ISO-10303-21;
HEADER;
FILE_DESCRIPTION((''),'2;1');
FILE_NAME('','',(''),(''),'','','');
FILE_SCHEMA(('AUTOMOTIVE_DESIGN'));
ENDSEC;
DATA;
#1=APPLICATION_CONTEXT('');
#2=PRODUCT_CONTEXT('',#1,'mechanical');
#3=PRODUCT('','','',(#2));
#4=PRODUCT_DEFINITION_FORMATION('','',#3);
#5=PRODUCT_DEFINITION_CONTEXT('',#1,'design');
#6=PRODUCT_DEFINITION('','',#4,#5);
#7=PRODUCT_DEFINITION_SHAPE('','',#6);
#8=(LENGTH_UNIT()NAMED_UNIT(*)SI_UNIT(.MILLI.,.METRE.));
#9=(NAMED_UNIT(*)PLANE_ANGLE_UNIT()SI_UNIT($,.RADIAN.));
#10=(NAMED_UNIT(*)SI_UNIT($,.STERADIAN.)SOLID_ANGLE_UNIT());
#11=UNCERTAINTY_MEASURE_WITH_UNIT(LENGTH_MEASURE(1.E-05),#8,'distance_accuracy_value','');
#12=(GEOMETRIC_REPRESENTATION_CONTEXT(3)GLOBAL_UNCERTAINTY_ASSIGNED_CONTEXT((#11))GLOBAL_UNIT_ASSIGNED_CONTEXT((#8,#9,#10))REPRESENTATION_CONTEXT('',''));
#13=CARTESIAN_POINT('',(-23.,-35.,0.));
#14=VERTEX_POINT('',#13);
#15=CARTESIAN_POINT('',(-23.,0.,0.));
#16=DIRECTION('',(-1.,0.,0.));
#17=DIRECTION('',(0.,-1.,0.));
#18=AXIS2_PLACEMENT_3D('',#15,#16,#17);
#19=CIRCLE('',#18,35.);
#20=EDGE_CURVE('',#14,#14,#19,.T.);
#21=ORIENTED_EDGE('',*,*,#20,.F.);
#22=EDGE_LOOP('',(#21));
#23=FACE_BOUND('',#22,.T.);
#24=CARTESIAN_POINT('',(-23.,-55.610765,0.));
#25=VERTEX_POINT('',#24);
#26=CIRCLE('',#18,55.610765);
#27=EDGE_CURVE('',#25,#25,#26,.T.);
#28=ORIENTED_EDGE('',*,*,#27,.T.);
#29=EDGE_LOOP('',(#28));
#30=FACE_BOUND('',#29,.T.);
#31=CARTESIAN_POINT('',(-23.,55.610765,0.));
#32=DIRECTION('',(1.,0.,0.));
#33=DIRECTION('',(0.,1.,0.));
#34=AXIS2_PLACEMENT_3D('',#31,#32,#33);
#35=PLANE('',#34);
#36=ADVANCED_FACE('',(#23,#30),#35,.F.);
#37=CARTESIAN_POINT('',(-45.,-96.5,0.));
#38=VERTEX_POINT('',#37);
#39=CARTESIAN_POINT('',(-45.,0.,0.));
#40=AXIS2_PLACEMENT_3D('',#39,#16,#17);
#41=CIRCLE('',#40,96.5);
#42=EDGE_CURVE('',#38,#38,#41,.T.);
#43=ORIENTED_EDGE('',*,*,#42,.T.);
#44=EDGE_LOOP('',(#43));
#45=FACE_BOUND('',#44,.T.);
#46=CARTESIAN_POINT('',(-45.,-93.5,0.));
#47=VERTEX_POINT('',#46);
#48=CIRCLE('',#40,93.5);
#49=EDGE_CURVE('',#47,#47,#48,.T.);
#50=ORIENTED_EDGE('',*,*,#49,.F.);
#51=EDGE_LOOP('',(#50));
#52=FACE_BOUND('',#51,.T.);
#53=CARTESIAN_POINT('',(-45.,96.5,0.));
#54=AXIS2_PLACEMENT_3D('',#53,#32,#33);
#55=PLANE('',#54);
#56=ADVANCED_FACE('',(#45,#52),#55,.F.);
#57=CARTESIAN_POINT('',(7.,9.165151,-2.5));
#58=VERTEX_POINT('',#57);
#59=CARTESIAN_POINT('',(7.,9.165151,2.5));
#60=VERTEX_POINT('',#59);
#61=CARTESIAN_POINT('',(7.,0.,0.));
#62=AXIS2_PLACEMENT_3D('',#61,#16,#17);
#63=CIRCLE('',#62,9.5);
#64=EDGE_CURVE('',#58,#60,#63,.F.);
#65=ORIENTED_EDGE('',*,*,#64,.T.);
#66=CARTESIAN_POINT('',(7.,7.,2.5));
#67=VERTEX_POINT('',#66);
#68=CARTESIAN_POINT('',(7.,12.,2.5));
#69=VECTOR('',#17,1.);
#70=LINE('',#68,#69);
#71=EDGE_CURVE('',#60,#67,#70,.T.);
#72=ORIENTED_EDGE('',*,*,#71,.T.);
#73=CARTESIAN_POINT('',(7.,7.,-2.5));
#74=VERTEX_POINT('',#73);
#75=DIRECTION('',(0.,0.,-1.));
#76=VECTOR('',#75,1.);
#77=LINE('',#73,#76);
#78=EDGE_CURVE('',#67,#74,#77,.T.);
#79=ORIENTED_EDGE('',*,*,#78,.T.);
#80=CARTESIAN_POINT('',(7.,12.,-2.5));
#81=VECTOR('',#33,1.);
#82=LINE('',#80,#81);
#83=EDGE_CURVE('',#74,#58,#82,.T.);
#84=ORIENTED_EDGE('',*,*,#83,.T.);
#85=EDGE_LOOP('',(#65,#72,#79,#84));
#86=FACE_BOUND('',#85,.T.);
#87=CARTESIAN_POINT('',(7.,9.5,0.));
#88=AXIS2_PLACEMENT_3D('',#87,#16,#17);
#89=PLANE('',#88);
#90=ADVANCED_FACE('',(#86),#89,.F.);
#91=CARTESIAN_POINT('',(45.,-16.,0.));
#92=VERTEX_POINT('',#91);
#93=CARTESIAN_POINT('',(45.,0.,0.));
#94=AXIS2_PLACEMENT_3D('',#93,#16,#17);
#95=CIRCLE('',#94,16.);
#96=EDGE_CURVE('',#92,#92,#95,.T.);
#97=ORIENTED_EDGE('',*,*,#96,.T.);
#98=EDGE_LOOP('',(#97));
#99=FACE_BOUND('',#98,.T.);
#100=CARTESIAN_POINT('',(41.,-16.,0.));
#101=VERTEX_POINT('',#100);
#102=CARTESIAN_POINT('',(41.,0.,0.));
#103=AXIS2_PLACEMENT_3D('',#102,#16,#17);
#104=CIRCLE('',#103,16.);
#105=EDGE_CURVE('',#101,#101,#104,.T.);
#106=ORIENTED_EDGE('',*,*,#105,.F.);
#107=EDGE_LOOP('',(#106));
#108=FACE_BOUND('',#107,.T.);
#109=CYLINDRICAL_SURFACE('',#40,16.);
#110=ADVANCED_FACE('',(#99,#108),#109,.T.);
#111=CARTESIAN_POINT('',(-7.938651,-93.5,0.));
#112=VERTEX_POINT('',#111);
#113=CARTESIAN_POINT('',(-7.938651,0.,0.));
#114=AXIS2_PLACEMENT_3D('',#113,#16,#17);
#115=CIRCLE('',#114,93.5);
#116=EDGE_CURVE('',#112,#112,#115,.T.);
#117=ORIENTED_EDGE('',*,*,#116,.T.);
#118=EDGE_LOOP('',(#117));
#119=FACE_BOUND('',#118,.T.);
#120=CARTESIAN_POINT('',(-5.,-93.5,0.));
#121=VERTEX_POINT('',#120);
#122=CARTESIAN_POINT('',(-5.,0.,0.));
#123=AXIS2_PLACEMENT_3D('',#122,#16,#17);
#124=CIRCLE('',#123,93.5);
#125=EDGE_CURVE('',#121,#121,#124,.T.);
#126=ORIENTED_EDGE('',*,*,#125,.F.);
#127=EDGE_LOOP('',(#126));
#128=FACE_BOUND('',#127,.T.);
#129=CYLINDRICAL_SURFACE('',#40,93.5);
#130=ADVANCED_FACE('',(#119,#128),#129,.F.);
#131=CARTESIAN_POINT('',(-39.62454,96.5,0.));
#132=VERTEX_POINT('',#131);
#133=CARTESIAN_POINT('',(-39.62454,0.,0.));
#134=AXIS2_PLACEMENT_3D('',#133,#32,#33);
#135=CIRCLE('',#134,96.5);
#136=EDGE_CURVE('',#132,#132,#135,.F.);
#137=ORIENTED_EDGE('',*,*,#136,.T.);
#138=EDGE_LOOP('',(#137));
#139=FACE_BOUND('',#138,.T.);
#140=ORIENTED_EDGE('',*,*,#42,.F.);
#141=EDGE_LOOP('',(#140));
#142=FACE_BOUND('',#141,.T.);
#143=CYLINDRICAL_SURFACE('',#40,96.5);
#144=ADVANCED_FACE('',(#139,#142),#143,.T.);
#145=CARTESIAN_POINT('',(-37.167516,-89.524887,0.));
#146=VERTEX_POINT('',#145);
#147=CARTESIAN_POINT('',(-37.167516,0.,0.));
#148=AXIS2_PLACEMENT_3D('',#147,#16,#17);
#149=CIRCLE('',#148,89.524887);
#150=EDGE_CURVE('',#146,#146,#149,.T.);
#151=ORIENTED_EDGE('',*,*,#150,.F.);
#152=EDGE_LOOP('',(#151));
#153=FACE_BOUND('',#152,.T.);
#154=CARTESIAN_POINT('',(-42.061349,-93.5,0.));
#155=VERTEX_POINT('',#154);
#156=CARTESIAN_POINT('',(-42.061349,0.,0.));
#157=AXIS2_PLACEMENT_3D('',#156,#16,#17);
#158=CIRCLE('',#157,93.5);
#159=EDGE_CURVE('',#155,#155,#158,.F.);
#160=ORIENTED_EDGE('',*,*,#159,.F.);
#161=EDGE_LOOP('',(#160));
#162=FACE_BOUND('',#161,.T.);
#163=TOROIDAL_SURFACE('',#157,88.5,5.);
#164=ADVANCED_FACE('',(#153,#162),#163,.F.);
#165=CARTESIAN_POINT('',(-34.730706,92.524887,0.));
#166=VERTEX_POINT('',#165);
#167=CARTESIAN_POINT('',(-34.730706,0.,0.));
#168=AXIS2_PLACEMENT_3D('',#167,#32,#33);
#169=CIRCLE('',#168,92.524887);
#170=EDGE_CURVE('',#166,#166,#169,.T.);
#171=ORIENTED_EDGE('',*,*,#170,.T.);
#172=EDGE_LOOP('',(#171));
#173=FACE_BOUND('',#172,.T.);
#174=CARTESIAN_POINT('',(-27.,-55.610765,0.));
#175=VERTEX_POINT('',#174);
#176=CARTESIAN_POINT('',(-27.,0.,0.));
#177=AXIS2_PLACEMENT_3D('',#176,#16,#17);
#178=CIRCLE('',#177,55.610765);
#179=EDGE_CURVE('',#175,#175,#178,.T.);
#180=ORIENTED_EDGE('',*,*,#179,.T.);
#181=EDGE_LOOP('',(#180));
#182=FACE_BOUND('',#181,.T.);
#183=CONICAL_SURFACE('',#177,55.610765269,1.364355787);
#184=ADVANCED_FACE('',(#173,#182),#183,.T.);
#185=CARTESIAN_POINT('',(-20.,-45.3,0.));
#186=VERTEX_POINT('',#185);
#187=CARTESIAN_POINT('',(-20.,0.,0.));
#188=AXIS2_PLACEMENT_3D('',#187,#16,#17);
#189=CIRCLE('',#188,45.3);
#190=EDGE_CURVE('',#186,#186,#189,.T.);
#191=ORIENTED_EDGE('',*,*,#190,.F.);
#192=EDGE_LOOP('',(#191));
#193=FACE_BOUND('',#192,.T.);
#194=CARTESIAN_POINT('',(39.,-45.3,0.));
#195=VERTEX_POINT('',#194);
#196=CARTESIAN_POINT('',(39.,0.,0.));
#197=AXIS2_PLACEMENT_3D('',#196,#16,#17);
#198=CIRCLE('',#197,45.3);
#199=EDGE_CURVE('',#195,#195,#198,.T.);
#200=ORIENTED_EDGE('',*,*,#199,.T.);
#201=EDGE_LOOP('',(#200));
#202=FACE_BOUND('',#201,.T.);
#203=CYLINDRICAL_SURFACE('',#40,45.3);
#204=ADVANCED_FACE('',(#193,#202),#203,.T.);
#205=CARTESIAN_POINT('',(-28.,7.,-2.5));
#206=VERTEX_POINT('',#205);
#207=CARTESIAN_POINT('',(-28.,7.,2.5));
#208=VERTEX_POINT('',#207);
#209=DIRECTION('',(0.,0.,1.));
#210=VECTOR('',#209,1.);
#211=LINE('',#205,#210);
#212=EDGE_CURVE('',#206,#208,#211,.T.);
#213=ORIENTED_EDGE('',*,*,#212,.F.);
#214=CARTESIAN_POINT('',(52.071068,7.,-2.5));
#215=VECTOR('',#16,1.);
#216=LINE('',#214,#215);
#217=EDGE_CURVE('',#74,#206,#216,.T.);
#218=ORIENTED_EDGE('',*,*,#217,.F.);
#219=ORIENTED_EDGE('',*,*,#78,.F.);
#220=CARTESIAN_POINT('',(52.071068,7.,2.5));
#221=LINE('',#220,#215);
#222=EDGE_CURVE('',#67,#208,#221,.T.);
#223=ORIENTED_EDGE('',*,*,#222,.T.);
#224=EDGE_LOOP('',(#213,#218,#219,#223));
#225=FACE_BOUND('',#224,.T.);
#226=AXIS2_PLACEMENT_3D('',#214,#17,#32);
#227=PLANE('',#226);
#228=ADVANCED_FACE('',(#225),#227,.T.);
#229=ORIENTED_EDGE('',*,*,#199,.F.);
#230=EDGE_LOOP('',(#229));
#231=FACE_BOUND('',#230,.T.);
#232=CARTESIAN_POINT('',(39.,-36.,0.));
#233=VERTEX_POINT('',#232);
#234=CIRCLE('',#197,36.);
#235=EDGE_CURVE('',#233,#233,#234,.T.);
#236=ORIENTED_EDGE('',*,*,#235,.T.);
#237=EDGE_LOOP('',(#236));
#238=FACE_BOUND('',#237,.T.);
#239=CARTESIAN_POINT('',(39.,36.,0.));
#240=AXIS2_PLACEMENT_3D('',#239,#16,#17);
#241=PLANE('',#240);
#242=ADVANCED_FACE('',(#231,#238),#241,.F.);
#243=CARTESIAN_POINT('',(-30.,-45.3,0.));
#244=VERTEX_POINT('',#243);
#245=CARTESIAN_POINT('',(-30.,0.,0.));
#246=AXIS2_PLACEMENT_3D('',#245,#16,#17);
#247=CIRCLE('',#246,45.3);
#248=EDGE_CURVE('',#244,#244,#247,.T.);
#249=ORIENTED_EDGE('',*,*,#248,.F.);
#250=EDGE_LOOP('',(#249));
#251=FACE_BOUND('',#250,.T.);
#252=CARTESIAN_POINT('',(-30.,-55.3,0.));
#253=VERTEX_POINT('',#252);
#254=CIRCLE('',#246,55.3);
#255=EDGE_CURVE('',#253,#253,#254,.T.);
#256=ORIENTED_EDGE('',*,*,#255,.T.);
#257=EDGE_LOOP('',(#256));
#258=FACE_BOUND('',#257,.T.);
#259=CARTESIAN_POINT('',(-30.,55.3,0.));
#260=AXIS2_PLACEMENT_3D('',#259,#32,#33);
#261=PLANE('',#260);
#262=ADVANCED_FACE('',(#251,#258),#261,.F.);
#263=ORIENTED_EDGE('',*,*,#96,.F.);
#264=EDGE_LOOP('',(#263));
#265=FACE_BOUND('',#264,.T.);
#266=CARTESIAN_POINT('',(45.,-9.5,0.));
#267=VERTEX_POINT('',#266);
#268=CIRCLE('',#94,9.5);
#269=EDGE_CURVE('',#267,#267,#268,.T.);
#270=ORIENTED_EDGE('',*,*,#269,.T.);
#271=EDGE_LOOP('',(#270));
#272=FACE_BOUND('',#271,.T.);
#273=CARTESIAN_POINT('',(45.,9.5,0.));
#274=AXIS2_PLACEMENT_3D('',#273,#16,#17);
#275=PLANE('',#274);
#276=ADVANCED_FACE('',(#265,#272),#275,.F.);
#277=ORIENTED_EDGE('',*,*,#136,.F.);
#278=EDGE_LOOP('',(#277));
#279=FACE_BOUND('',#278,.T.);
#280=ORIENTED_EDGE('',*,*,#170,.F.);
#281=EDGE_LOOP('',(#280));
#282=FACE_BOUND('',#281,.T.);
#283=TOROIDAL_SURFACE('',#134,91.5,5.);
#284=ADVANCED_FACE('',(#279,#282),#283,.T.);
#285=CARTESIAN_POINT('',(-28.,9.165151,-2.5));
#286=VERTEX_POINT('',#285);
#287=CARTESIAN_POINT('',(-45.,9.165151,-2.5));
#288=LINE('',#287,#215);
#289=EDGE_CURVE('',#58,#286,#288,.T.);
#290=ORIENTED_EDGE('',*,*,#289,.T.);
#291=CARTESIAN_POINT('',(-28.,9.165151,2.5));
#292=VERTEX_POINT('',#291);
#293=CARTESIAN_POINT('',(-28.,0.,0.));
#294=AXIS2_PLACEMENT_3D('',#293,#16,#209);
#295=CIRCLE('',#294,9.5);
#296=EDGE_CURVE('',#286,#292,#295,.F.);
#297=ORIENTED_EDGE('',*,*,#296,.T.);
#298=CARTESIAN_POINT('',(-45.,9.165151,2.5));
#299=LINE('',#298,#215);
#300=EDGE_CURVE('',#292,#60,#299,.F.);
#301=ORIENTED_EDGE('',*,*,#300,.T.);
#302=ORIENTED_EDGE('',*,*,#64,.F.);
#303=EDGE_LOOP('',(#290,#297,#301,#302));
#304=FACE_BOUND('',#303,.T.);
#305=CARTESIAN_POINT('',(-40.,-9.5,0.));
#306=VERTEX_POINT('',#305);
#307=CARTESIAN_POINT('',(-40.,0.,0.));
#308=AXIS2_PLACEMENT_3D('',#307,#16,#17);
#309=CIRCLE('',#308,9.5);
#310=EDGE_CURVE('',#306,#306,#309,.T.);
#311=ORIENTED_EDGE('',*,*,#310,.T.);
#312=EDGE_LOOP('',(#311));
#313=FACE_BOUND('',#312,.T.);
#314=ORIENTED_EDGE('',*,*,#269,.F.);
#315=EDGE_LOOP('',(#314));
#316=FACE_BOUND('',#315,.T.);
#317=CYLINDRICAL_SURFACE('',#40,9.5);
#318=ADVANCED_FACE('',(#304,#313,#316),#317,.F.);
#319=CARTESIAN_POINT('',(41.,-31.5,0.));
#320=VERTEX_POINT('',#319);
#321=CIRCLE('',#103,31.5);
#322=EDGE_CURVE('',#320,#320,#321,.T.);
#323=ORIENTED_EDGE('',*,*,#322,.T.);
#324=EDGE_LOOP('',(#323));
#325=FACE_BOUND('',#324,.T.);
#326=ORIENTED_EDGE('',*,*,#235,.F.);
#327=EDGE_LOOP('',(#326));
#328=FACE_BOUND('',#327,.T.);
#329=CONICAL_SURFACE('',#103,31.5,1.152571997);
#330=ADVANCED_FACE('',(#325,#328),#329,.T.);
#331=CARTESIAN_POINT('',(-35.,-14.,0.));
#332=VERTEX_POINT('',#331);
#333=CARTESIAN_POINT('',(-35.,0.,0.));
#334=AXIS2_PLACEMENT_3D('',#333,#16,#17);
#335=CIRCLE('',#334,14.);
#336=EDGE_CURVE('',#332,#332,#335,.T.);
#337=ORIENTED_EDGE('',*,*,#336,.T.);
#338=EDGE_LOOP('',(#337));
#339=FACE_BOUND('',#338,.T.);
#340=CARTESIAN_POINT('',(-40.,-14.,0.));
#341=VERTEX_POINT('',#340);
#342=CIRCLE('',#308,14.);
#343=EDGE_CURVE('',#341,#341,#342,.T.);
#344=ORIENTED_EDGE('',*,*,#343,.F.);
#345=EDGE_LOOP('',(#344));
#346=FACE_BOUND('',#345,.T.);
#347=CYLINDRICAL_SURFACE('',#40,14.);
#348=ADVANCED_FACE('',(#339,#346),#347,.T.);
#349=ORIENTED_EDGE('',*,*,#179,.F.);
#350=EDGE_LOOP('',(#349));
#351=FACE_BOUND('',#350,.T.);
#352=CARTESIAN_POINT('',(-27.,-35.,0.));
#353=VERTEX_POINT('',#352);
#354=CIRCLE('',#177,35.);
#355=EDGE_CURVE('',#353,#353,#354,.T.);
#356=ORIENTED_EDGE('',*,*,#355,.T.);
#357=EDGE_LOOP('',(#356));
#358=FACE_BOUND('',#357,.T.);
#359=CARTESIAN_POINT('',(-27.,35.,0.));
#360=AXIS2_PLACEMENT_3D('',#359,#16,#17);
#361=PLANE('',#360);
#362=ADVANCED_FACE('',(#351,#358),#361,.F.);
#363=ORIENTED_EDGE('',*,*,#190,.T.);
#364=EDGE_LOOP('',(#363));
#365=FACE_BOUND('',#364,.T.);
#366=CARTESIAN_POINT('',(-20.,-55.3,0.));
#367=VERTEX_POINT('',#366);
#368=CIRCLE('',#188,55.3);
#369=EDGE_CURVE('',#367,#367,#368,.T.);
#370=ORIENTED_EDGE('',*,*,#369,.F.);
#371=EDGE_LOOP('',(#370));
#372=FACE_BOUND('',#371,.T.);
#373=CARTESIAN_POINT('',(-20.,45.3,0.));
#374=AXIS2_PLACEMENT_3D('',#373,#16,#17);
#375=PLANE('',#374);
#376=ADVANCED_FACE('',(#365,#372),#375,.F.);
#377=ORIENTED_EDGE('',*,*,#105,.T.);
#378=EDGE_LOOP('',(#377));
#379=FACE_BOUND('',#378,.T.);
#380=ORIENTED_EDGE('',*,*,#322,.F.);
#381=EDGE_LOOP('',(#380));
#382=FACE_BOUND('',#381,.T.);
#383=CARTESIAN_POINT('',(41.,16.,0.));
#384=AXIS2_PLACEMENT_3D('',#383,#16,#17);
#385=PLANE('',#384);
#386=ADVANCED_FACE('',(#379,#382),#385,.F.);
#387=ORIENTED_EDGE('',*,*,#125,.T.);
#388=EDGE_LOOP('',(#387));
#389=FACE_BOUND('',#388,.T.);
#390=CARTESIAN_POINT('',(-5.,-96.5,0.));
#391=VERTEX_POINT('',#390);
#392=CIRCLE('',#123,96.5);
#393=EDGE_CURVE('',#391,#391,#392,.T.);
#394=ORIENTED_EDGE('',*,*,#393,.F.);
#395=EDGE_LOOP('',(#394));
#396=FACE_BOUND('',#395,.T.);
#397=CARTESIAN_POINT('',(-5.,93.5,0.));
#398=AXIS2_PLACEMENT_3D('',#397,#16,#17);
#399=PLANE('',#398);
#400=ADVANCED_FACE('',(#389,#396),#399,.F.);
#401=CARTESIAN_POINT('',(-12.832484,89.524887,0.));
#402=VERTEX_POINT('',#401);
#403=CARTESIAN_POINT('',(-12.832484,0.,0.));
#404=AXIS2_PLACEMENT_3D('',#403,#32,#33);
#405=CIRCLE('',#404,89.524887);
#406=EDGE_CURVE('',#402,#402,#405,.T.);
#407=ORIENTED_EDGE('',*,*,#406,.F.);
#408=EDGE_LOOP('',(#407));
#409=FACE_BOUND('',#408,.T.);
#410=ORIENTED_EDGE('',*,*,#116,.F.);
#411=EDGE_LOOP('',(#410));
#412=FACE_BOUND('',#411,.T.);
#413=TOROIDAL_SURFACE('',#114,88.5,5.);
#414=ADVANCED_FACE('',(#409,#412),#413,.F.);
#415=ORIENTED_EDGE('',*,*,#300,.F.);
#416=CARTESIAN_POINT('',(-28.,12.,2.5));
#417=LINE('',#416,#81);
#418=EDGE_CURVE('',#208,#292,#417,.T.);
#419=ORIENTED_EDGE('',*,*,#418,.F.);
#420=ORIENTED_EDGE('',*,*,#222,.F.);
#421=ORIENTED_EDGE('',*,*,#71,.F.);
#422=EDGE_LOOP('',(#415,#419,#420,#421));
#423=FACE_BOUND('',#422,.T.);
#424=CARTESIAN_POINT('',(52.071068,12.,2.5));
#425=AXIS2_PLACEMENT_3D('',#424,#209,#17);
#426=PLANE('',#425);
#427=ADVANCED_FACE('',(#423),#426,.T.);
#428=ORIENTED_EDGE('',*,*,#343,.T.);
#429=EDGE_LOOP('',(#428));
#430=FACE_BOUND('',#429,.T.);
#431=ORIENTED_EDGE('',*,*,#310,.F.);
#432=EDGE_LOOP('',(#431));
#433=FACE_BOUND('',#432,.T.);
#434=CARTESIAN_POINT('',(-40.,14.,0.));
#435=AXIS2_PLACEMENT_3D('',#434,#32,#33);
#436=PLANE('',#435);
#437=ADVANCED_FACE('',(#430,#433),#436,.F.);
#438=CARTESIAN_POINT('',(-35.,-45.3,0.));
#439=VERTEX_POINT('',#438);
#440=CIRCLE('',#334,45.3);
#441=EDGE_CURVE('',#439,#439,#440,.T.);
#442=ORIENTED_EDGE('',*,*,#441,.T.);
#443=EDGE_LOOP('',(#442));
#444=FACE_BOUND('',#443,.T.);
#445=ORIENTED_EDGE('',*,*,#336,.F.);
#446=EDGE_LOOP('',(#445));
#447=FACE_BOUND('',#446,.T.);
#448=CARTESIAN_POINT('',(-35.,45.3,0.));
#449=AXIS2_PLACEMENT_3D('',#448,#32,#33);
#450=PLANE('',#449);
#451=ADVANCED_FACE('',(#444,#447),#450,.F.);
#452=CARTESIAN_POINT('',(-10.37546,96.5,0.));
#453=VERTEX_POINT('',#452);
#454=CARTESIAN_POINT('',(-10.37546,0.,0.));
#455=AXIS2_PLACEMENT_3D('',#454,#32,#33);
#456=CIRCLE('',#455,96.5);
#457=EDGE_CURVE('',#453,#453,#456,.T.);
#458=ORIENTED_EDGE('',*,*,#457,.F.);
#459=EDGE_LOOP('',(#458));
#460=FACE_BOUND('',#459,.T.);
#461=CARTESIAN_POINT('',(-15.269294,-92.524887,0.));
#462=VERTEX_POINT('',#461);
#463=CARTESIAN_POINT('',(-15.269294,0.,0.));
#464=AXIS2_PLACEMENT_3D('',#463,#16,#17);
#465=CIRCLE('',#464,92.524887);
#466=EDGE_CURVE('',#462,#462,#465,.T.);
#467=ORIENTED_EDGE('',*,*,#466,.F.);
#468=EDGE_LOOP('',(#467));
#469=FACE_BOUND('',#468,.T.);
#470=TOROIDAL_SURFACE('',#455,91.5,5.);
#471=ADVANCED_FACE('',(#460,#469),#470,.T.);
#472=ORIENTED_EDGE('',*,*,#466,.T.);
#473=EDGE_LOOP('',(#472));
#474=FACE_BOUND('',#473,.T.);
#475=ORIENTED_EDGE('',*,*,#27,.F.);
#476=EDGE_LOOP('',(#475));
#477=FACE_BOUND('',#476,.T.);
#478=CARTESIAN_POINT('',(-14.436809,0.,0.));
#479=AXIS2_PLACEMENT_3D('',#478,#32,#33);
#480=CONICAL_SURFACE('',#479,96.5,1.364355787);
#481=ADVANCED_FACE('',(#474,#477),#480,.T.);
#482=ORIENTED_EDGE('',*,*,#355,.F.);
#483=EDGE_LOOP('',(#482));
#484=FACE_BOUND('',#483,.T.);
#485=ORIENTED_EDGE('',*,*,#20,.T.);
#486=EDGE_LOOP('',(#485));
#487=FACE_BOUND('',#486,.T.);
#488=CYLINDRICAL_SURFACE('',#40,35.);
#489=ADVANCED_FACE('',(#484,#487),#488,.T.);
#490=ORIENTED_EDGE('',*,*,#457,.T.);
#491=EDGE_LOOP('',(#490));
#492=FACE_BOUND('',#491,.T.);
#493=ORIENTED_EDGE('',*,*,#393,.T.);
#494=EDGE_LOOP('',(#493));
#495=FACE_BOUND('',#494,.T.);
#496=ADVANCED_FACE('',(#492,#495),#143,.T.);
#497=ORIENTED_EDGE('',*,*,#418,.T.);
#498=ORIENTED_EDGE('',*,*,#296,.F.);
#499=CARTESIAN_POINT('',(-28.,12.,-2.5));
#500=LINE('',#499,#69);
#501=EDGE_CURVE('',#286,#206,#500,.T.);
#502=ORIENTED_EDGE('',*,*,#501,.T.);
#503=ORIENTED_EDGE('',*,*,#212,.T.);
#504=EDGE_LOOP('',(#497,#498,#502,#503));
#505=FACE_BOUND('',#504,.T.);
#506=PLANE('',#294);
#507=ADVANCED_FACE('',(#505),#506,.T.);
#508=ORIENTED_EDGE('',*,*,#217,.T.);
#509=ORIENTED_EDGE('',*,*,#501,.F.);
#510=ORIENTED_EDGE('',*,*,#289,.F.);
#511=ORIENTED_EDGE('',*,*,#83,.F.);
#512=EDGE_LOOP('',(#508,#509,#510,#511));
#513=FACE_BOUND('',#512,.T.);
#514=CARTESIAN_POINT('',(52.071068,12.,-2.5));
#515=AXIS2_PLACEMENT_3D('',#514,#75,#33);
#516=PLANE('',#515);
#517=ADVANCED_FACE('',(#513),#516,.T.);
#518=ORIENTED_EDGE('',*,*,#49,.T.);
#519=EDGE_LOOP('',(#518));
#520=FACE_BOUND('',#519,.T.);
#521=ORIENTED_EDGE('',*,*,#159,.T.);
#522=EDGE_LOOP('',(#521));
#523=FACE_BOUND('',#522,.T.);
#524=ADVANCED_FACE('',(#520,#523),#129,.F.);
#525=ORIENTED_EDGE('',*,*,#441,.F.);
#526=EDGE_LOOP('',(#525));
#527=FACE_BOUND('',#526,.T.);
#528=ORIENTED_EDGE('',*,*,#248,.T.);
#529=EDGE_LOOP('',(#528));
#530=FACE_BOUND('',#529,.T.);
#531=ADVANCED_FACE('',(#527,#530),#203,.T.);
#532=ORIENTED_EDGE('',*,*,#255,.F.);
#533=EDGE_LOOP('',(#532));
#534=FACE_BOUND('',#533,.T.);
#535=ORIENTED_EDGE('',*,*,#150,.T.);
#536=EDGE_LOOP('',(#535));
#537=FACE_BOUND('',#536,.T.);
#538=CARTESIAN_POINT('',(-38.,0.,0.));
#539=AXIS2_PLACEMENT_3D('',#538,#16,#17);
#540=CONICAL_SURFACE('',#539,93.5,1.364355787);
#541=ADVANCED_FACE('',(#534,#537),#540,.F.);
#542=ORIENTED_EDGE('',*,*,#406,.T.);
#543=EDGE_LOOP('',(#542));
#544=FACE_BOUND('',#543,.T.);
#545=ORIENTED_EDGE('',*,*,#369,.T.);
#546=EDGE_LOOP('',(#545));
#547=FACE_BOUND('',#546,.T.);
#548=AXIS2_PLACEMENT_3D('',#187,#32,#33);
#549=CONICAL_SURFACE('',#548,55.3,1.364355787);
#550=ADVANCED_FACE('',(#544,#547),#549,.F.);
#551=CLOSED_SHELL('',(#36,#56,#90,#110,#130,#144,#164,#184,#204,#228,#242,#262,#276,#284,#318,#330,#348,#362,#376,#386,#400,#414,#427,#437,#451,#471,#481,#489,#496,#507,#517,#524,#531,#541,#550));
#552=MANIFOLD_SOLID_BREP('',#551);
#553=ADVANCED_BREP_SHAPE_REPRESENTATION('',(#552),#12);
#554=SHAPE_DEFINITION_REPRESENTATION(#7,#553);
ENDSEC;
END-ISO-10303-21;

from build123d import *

# Parameters (mm, degrees)
FILLET_1_R      = 5
EXTRUDE_START   = -12
SKETCH_2_W      = 5
SKETCH_2_H      = 5
EXTRUDE_1_DEPTH = 35


with BuildPart() as part:
    # Эскиз1 → Повернуть1 (revolve)
    with BuildSketch(Plane.XY):
        Polygon((45, 9.5), (-40, 9.5), (-40, 14), (-35, 14), (-35, 45.3), (-30, 45.3), (-30, 55.3), (-38, 93.5), (-45, 93.5), (-45, 96.5), (-35.56319052, 96.5), (-27, 55.610765269), (-27, 35), (-23, 35), (-23, 55.610765269), (-14.43680948, 96.5), (-5, 96.5), (-5, 93.5), (-12, 93.5), (-20, 55.3), (-20, 45.3), (39, 45.3), (39, 36), (41, 31.5), (41, 16), (45, 16), align=None)
    revolve(axis=Axis((-45, 0, 0), (1, 0, 0)))

    # Скругление1
    fillet_1_edges = [part.edges().sort_by_distance(p)[0] for p in [
        (-38, -93.5, 0),
        (-35.56319052, -96.5, 0),
        (-14.43680948, -96.5, 0),
        (-12, -93.5, 0),
    ]]
    fillet(fillet_1_edges, radius=FILLET_1_R)

    # Эскиз2 → Бобышка-Вытянуть1 (add)
    with BuildSketch(Plane.ZY.offset(40).offset(EXTRUDE_START)):
        with Locations((0, 9.5)):
            Rectangle(SKETCH_2_W, SKETCH_2_H)
    extrude(amount=-EXTRUDE_1_DEPTH)


solid = part.part
